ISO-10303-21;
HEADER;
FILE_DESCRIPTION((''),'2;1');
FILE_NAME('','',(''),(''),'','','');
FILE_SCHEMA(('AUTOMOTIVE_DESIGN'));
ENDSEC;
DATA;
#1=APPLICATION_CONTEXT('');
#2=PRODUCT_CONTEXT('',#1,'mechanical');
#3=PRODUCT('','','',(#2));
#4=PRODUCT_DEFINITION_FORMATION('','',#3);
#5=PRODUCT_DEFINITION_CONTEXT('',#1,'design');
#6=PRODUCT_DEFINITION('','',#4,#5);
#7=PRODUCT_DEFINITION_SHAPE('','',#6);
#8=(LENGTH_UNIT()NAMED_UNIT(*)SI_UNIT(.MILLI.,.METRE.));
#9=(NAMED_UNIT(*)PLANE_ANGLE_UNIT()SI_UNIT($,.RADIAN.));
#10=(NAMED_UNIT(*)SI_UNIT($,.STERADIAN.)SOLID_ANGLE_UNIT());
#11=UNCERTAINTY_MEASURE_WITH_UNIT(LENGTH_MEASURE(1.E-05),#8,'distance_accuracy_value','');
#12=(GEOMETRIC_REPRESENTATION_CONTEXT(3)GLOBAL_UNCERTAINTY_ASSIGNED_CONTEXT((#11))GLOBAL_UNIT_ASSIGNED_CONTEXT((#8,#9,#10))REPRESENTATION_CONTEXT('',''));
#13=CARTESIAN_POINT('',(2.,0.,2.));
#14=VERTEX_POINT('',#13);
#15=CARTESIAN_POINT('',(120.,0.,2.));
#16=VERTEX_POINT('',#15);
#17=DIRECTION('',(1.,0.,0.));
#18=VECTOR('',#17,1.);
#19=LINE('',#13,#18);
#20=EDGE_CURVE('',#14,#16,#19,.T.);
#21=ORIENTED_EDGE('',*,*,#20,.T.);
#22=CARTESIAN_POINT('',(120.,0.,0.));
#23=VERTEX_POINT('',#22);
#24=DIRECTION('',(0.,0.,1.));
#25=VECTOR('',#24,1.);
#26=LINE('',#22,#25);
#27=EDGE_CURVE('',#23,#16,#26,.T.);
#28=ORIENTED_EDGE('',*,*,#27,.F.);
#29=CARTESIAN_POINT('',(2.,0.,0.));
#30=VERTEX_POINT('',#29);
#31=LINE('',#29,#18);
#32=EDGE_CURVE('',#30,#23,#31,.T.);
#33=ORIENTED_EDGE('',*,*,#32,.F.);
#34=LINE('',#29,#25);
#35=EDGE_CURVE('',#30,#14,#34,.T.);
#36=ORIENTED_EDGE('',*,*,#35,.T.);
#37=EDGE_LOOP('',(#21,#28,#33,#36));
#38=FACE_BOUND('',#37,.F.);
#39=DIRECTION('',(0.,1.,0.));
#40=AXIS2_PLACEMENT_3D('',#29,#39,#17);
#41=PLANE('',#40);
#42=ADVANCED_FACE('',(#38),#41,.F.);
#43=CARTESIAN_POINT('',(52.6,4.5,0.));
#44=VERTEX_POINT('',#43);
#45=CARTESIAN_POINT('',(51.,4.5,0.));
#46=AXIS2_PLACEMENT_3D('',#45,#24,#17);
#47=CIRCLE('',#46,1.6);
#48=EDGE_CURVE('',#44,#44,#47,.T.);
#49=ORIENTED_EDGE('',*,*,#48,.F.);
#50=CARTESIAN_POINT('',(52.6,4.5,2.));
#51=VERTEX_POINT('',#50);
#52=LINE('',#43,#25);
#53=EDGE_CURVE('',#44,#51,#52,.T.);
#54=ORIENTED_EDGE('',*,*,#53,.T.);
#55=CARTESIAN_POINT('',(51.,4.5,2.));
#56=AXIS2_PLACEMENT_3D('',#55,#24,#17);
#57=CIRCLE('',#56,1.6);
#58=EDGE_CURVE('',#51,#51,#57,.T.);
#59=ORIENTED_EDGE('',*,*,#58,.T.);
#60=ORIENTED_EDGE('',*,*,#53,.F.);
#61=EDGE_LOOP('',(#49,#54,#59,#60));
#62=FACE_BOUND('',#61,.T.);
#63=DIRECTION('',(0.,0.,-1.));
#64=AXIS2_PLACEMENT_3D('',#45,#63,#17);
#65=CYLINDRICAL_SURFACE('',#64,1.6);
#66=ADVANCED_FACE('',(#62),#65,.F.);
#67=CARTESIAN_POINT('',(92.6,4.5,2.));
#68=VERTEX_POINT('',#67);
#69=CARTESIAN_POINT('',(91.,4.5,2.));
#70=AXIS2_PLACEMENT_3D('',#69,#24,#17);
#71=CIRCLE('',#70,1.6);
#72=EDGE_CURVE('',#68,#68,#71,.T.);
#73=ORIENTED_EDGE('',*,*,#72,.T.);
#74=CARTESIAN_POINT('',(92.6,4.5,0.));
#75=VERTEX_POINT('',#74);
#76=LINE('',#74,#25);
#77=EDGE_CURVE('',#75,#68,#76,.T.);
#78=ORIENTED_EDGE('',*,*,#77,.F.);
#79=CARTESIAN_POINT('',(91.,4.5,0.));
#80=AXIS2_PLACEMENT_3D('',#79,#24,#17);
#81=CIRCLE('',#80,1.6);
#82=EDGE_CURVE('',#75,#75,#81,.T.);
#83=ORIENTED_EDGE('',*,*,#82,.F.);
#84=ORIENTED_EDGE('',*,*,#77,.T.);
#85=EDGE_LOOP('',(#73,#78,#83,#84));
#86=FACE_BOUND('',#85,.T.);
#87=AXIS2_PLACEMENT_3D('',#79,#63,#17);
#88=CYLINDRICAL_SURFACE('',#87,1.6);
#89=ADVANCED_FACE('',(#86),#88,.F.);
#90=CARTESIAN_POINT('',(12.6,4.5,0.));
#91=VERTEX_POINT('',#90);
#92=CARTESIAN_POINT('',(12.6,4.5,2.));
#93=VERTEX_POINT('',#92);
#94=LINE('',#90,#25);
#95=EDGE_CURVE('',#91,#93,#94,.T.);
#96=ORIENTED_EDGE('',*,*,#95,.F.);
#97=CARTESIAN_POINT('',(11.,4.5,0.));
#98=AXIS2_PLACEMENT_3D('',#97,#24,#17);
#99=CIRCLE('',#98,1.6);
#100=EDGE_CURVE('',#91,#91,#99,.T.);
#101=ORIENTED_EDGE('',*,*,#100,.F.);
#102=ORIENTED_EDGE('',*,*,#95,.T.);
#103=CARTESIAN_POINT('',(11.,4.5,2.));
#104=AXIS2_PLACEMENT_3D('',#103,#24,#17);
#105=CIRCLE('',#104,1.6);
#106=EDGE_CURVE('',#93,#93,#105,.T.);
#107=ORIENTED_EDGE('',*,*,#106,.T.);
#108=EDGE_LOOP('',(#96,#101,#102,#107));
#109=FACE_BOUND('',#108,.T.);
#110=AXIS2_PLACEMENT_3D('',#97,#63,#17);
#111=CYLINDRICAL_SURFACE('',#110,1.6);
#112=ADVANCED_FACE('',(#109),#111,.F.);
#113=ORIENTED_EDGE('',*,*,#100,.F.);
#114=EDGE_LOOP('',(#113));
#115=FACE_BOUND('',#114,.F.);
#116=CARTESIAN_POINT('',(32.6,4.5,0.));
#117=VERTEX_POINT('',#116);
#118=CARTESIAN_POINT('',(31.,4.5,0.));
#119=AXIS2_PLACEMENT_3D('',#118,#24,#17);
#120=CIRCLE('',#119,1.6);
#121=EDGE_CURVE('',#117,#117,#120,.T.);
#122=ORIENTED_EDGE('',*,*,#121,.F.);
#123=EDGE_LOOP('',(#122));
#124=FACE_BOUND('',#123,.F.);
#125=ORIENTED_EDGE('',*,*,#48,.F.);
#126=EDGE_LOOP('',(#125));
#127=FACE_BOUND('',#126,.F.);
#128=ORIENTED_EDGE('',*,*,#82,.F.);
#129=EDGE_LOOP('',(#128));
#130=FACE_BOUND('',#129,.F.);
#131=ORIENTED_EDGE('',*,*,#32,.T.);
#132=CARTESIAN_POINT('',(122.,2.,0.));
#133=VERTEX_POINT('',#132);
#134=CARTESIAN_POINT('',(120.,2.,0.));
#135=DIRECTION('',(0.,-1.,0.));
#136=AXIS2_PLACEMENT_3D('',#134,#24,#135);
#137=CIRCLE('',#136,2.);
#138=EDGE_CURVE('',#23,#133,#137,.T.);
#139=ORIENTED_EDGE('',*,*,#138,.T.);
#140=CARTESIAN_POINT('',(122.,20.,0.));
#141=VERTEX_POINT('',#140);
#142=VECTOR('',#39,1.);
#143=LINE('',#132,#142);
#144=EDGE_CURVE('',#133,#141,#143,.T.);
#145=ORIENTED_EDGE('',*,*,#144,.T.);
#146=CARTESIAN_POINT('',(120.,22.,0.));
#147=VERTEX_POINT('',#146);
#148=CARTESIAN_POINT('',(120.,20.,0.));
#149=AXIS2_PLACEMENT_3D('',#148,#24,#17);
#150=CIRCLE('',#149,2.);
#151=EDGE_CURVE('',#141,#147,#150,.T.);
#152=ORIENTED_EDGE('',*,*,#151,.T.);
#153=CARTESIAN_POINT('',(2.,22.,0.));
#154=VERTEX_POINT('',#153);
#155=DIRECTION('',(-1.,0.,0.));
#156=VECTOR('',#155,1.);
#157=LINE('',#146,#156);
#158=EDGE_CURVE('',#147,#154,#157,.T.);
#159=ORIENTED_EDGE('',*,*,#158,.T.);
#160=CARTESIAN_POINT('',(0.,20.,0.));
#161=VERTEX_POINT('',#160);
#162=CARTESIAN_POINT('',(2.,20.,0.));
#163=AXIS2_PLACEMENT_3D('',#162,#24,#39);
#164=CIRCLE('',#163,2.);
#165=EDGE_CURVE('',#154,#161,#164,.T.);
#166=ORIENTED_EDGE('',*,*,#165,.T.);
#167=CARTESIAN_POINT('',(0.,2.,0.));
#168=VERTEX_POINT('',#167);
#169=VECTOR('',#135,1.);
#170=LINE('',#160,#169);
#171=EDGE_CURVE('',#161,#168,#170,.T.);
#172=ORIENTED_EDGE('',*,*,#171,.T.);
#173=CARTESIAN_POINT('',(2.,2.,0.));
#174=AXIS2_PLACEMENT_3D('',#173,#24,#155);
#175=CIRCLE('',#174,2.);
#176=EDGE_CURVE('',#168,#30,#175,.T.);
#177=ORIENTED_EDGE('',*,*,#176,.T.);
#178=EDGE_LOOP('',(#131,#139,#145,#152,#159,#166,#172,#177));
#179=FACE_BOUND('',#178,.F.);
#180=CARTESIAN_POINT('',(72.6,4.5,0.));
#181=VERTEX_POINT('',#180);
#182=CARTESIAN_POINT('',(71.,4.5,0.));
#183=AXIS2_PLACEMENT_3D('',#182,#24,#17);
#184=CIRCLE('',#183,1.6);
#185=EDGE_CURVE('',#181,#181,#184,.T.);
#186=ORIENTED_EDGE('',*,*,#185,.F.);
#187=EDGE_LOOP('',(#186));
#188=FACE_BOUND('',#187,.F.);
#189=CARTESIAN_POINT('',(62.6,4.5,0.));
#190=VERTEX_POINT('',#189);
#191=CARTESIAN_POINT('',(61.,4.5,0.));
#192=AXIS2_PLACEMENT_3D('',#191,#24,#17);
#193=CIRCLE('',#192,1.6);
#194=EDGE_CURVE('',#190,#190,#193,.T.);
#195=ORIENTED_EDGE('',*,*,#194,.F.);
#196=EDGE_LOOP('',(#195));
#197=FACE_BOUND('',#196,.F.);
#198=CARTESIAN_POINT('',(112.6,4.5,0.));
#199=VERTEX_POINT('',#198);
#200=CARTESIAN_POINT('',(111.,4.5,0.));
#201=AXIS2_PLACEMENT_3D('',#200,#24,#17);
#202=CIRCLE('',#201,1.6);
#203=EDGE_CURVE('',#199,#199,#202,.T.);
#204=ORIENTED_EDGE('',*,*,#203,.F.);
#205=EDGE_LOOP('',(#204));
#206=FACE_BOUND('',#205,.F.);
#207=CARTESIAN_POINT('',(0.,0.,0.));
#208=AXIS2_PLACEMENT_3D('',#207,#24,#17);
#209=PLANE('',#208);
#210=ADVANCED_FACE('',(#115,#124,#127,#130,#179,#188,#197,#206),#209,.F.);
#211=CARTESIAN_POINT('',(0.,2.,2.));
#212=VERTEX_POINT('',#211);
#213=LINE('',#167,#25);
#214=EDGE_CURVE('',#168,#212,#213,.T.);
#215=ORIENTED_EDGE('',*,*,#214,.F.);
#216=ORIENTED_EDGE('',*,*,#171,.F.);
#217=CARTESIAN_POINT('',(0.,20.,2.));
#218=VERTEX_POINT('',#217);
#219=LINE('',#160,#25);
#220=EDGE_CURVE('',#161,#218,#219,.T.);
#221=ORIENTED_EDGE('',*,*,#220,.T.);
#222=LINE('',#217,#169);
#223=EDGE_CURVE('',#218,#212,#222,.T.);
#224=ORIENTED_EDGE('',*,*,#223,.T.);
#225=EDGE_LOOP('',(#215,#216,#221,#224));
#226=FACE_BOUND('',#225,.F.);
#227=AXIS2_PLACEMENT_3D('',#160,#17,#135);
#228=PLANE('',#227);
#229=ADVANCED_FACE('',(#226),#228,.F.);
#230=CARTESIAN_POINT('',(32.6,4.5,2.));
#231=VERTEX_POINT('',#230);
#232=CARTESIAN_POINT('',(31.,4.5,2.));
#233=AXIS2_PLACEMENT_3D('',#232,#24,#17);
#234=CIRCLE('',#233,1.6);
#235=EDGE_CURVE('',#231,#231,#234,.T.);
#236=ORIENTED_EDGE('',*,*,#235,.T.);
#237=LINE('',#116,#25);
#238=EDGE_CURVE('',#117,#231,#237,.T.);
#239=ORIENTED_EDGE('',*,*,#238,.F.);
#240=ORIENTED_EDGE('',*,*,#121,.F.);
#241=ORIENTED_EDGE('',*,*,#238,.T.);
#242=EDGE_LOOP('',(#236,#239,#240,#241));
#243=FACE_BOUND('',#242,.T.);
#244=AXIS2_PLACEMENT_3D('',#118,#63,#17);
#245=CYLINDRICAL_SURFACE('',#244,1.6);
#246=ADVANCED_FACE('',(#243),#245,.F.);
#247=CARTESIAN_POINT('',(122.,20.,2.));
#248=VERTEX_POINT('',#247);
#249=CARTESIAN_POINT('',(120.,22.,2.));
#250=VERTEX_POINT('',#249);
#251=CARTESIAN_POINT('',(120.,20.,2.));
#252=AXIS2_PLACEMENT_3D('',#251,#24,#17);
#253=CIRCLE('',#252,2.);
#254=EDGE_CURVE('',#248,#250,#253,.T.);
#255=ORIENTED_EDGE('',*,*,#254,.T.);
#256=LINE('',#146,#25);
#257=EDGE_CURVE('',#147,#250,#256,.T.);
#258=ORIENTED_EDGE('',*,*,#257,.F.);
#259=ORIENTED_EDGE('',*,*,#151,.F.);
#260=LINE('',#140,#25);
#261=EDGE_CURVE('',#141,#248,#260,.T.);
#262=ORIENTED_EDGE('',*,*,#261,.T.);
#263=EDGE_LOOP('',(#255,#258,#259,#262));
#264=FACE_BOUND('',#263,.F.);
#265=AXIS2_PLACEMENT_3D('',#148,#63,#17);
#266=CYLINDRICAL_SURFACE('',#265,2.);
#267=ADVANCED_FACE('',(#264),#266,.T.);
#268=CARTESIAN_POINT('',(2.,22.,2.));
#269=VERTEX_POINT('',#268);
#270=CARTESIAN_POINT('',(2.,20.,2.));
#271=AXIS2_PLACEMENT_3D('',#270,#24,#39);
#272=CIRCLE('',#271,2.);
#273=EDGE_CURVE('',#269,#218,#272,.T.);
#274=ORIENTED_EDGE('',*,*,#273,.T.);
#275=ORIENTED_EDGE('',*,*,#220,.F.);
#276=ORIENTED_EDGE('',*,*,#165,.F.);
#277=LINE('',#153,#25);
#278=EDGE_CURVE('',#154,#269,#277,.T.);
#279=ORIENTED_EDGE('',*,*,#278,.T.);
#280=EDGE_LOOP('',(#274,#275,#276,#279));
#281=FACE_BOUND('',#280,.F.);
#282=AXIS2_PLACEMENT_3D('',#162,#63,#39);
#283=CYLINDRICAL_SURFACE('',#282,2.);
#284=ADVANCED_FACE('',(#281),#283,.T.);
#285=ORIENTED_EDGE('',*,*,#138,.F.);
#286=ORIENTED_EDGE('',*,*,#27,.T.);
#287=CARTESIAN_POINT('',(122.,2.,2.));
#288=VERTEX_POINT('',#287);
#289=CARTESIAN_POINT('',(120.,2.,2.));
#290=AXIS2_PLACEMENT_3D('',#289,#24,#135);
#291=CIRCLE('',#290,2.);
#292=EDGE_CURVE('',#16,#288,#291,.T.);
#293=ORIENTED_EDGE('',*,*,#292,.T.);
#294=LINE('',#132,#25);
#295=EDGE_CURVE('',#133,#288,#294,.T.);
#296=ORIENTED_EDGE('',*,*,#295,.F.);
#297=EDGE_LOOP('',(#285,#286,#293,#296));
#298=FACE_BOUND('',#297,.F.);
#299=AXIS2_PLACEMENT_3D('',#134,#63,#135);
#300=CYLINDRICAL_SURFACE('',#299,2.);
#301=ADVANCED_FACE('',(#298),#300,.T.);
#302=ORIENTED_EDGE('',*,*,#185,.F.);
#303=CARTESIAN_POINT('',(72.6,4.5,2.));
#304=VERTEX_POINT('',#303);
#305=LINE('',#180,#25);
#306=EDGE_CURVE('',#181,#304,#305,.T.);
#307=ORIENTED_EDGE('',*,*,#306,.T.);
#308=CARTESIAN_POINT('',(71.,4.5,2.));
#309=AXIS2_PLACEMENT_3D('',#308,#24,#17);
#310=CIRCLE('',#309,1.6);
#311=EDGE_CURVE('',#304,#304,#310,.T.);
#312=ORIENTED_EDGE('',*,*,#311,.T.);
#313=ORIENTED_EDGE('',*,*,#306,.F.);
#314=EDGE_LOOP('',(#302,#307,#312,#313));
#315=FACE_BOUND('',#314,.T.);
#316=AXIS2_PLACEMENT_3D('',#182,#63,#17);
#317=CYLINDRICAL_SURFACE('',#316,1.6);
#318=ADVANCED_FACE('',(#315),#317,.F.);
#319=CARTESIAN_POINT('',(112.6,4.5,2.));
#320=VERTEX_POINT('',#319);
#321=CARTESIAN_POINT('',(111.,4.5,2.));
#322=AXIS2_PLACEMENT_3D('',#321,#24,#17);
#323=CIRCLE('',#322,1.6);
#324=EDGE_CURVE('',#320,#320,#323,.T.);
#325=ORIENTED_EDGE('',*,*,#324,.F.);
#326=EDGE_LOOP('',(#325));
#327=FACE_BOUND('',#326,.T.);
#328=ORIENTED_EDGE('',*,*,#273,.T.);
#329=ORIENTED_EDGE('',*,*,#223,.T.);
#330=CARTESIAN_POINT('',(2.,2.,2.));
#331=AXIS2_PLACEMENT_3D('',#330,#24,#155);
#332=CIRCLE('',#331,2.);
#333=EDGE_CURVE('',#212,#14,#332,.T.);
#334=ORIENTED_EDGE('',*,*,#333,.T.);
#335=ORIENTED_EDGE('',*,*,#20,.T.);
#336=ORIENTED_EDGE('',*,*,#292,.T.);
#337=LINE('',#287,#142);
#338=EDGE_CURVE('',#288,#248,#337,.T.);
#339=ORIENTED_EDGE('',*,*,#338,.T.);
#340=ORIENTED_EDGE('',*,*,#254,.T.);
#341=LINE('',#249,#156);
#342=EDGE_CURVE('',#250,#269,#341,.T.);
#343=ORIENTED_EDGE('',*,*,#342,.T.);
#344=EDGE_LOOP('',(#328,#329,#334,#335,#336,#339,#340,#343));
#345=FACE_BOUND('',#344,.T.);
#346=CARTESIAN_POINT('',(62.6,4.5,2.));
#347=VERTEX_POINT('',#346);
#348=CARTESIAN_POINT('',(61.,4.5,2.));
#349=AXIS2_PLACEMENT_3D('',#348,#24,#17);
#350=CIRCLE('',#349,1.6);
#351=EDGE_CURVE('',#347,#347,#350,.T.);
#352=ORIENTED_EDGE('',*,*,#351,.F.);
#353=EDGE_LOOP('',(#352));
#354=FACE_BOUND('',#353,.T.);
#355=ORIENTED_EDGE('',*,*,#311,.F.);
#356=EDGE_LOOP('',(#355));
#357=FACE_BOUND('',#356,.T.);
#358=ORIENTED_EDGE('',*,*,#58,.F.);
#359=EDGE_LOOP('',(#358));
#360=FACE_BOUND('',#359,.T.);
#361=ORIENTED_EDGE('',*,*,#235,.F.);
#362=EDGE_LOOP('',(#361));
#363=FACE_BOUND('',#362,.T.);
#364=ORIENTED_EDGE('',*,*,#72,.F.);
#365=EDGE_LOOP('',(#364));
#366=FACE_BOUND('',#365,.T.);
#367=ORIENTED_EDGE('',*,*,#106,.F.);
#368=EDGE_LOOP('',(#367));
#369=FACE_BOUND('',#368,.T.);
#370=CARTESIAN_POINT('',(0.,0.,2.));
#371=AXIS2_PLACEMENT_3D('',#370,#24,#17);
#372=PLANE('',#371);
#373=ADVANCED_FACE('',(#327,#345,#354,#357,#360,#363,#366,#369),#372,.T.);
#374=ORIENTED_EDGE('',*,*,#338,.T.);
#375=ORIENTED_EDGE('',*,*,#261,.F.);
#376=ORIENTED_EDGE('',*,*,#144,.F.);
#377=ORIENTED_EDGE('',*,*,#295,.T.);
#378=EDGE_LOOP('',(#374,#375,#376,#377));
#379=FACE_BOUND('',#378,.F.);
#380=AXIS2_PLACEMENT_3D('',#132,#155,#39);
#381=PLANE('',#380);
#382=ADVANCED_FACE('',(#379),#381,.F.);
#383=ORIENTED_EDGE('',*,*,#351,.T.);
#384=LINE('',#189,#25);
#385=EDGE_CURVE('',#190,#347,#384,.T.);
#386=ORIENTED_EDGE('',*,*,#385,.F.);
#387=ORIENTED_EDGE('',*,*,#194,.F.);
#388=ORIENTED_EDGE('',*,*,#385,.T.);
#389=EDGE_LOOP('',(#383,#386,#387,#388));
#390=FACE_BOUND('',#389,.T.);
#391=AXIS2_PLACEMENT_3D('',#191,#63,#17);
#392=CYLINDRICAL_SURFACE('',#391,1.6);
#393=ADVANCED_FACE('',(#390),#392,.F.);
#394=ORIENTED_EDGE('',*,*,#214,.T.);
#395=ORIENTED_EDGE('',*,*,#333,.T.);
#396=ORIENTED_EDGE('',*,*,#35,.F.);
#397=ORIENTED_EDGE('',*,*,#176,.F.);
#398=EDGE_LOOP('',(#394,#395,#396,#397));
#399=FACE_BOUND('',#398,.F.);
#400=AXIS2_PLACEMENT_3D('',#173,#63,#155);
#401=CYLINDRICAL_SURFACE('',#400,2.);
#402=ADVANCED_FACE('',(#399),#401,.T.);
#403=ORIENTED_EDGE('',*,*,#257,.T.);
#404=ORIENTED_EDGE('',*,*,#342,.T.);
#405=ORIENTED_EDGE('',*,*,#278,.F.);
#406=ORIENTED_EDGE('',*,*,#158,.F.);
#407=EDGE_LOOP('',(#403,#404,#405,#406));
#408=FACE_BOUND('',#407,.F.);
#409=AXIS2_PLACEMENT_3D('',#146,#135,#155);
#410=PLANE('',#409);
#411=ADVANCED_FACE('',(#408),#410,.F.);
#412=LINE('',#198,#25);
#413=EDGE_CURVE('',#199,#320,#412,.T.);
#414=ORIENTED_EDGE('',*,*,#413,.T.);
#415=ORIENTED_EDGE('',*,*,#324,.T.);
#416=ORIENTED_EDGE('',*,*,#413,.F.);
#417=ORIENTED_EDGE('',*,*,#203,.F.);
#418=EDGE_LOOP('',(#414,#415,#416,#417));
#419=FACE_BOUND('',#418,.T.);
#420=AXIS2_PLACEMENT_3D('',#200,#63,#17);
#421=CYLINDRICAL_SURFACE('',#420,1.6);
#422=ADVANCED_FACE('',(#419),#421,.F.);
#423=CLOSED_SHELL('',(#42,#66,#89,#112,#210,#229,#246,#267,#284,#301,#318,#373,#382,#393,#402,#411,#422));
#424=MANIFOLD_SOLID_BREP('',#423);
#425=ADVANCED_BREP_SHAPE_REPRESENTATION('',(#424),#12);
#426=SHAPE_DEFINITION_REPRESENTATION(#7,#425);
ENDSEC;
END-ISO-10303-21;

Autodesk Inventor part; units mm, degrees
ref_plane "YZ Plane" through (0, 0, 0) normal (1, 0, 0) x (0, 1, 0)
ref_plane "XZ Plane" through (0, 0, 0) normal (0, 1, 0) x (-1, 0, 0)
ref_plane "XY Plane" through (0, 0, 0) normal (0, 0, 1) x (1, 0, 0)
sketch "スケッチ1" plane through (0, 0, 0) normal (0, 0, 1) x (1, 0, 0)
  line L0 (2, 0) -> (120, 0)
  line L1 (122, 2) -> (122, 20)
  line L2 (120, 22) -> (2, 22)
  line L3 (0, 20) -> (0, 2)
  circle A0 centre (11, 4.5) radius 1.6
  circle A1 centre (31, 4.5) radius 1.6
  circle A2 centre (51, 4.5) radius 1.6
  line L4 (61, 33.5385) -> (61, -12.997) construction
  circle A3 centre (61, 4.5) radius 1.6
  line L5 (-8.4067, 4.5) -> (129.3386, 4.5) construction
  circle A4 centre (111, 4.5) radius 1.6
  circle A5 centre (91, 4.5) radius 1.6
  circle A6 centre (71, 4.5) radius 1.6
  arc A7 (2, 22) -> (0, 20) centre (2, 20) ccw
  arc A8 (0, 2) -> (2, 0) centre (2, 2) ccw
  arc A9 (120, 0) -> (122, 2) centre (120, 2) ccw
  arc A10 (122, 20) -> (120, 22) centre (120, 20) ccw
  point P0 (0, 0)
  point P1 (122, 22)
  point P2 (122, 0)
  point P3 (0, 22)
  dimension "d0" = 122
  dimension "d1" = 22
  dimension "d2" = 3.2
  dimension "d3" = 3.2
  dimension "d4" = 3.2
  dimension "d5" = 10
  dimension "d6" = 20
  dimension "d7" = 20
  dimension "d8" = 3.2
  dimension "d9" = 4.5
  dimension "d10" = 2
extrude "押し出し1" add sketch "スケッチ1" along normal blind 2
properties part number "20220523_センサモジュール"
